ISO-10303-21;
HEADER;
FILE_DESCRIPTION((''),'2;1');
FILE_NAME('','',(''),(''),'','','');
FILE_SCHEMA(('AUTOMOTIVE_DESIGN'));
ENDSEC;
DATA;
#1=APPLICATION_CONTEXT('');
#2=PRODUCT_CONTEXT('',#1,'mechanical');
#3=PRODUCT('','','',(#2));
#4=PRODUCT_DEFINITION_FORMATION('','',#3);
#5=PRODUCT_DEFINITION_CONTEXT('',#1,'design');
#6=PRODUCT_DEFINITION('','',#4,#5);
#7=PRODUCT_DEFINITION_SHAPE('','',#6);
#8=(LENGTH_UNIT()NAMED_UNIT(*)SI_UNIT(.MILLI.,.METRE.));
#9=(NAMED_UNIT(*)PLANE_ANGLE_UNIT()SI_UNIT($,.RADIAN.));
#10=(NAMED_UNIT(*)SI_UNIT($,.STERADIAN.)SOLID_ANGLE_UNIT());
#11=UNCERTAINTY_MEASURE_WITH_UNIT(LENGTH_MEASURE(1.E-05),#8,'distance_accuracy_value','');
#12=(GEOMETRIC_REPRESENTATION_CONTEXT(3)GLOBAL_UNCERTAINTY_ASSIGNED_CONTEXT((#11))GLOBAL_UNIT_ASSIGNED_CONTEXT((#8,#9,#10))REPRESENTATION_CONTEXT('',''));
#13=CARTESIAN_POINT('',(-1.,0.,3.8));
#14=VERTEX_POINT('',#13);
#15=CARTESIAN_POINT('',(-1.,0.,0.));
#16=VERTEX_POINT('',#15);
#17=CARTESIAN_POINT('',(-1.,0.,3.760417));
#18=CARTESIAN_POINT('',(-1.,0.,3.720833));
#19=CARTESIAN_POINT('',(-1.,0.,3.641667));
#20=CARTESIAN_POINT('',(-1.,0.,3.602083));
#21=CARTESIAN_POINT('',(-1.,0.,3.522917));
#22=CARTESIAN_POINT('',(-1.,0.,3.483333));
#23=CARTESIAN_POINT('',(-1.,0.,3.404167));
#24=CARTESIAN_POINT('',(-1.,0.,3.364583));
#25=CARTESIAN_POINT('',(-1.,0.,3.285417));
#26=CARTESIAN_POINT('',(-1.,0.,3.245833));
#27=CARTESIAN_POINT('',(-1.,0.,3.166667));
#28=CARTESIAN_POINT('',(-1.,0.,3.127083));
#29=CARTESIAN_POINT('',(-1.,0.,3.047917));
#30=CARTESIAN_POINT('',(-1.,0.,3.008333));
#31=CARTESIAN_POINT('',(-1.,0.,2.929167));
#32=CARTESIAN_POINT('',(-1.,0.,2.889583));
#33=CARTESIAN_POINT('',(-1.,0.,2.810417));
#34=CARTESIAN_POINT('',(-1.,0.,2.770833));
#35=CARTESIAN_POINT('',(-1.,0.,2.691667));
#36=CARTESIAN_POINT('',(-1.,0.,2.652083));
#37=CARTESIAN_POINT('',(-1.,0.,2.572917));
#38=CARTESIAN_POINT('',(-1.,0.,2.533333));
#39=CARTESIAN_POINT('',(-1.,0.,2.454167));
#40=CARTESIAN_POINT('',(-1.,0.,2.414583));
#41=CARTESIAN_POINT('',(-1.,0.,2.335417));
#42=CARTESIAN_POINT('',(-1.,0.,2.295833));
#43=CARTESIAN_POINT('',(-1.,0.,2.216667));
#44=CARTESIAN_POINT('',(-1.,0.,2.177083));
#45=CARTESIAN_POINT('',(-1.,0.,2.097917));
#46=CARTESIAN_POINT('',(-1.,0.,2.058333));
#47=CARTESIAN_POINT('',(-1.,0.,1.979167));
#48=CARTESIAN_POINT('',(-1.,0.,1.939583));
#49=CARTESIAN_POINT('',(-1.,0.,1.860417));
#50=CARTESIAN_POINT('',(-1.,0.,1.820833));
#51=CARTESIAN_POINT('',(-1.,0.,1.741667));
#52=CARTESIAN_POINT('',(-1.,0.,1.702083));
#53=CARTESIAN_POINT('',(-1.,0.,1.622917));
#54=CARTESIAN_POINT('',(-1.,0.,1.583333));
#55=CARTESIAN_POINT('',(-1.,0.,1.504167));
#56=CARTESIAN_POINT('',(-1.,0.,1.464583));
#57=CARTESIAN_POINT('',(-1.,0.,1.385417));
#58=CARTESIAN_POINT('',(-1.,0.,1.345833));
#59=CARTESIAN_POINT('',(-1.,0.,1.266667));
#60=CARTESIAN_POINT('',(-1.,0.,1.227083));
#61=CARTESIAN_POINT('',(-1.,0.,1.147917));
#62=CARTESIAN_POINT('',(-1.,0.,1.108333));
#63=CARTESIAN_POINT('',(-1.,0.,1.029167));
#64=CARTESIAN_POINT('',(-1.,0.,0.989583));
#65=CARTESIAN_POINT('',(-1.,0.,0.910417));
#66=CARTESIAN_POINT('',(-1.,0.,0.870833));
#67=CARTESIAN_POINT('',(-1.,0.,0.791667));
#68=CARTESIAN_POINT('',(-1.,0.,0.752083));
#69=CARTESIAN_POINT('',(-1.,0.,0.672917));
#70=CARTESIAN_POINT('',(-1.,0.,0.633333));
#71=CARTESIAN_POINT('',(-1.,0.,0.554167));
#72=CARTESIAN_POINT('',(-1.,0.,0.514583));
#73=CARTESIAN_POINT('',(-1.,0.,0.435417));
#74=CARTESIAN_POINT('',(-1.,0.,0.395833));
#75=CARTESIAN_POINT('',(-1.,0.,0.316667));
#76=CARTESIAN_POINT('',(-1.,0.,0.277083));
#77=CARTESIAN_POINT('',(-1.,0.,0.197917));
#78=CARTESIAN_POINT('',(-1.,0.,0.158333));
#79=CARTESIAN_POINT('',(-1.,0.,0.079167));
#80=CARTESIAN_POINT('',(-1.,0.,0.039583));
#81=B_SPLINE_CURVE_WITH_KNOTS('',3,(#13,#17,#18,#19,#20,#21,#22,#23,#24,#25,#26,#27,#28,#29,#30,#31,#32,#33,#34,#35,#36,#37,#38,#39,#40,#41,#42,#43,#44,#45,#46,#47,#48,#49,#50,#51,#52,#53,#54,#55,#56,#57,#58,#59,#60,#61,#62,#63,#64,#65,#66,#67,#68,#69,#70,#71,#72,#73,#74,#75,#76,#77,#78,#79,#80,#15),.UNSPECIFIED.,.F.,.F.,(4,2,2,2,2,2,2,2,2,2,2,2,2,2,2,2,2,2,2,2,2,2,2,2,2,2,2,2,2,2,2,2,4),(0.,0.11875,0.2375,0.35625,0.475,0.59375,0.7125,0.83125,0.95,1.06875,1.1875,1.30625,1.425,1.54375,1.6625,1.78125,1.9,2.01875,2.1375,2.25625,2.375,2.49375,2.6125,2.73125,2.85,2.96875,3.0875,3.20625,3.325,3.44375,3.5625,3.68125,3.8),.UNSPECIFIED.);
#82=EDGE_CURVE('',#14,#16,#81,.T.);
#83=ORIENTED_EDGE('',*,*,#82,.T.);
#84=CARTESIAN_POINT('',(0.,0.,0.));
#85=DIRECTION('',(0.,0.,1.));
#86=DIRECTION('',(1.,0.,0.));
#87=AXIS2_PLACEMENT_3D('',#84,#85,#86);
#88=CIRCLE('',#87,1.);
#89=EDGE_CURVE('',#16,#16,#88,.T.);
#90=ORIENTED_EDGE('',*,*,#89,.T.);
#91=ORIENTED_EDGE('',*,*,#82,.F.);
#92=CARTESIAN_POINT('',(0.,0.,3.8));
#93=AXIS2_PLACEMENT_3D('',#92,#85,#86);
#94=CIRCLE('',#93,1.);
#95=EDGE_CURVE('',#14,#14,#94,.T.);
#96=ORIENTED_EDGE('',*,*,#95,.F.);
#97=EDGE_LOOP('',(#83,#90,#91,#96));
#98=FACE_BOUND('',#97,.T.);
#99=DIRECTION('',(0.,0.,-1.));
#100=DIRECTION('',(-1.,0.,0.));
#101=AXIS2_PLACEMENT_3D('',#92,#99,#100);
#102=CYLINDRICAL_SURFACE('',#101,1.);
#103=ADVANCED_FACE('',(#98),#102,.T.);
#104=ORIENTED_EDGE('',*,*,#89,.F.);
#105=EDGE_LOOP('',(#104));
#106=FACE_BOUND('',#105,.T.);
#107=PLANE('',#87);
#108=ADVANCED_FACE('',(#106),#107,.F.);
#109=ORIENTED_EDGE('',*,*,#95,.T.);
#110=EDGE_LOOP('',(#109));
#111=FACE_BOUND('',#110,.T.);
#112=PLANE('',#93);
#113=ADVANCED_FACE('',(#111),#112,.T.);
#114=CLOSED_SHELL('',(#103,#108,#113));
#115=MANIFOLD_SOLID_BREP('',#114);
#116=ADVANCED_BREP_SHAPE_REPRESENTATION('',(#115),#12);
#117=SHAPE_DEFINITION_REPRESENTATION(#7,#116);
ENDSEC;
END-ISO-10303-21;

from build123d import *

# Parameters (mm, degrees)
SKETCH_1_R      = 1
EXTRUDE_2_DEPTH = 3.8


with BuildPart() as part:
    # 草图1 → 凸台-拉伸2 (new body)
    with BuildSketch(Plane.XY):
        with Locations(Location((0, 0, 0), (0, 0, 180))):
            Circle(SKETCH_1_R)
    extrude(amount=EXTRUDE_2_DEPTH)


solid = part.part
